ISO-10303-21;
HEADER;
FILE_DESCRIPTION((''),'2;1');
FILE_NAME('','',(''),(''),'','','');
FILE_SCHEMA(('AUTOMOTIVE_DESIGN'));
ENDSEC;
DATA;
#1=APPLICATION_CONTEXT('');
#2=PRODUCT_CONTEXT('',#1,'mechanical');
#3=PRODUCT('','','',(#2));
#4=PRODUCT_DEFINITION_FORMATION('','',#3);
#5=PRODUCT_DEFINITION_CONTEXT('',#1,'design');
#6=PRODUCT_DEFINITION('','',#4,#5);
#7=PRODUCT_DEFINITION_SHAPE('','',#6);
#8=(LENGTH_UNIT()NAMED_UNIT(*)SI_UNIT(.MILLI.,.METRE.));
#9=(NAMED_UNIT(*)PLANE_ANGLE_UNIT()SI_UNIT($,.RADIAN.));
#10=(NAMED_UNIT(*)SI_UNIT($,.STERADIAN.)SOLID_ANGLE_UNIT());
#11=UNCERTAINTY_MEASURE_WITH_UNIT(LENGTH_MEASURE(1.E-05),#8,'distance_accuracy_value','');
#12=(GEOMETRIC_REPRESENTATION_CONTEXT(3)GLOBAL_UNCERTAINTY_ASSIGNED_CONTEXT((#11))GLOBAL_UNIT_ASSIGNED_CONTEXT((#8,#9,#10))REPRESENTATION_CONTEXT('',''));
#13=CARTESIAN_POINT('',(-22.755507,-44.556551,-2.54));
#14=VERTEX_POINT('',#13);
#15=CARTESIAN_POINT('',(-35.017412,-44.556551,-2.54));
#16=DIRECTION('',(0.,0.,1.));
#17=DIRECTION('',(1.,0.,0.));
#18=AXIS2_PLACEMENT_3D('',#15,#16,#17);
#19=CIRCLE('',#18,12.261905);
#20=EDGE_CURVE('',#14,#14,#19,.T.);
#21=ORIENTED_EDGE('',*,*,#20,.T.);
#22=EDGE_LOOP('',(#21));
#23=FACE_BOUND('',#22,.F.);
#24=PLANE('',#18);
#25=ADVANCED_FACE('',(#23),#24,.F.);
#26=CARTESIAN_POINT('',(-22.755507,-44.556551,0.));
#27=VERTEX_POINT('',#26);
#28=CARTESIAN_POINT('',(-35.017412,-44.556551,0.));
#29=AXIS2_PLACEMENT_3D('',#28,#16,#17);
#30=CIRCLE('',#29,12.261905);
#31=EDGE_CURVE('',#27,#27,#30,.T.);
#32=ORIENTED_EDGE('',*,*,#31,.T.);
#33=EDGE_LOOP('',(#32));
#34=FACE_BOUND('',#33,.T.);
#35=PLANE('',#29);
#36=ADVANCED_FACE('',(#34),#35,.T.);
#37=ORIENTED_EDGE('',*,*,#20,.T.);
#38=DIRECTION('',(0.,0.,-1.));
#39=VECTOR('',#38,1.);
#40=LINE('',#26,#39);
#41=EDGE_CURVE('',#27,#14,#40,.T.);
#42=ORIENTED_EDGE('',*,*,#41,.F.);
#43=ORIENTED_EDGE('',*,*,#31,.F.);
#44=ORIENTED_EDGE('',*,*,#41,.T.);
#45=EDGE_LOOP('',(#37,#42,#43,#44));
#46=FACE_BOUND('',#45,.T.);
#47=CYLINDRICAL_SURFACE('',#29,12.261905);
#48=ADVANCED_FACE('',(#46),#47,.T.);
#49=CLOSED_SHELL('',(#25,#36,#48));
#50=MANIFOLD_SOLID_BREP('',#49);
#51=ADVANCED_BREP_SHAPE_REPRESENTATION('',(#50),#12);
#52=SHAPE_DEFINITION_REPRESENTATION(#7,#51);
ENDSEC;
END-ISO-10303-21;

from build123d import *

# Parameters (mm, degrees)
F0_R     = 12.261905
F1_DEPTH = 2.54


with BuildPart() as f1:
    # F0 (on Top) → F1 (new body)
    with BuildSketch(Plane.XY):
        with Locations((-35.017412, -44.556551)):
            Circle(F0_R)
    extrude(amount=-F1_DEPTH)


solid = f1.part
